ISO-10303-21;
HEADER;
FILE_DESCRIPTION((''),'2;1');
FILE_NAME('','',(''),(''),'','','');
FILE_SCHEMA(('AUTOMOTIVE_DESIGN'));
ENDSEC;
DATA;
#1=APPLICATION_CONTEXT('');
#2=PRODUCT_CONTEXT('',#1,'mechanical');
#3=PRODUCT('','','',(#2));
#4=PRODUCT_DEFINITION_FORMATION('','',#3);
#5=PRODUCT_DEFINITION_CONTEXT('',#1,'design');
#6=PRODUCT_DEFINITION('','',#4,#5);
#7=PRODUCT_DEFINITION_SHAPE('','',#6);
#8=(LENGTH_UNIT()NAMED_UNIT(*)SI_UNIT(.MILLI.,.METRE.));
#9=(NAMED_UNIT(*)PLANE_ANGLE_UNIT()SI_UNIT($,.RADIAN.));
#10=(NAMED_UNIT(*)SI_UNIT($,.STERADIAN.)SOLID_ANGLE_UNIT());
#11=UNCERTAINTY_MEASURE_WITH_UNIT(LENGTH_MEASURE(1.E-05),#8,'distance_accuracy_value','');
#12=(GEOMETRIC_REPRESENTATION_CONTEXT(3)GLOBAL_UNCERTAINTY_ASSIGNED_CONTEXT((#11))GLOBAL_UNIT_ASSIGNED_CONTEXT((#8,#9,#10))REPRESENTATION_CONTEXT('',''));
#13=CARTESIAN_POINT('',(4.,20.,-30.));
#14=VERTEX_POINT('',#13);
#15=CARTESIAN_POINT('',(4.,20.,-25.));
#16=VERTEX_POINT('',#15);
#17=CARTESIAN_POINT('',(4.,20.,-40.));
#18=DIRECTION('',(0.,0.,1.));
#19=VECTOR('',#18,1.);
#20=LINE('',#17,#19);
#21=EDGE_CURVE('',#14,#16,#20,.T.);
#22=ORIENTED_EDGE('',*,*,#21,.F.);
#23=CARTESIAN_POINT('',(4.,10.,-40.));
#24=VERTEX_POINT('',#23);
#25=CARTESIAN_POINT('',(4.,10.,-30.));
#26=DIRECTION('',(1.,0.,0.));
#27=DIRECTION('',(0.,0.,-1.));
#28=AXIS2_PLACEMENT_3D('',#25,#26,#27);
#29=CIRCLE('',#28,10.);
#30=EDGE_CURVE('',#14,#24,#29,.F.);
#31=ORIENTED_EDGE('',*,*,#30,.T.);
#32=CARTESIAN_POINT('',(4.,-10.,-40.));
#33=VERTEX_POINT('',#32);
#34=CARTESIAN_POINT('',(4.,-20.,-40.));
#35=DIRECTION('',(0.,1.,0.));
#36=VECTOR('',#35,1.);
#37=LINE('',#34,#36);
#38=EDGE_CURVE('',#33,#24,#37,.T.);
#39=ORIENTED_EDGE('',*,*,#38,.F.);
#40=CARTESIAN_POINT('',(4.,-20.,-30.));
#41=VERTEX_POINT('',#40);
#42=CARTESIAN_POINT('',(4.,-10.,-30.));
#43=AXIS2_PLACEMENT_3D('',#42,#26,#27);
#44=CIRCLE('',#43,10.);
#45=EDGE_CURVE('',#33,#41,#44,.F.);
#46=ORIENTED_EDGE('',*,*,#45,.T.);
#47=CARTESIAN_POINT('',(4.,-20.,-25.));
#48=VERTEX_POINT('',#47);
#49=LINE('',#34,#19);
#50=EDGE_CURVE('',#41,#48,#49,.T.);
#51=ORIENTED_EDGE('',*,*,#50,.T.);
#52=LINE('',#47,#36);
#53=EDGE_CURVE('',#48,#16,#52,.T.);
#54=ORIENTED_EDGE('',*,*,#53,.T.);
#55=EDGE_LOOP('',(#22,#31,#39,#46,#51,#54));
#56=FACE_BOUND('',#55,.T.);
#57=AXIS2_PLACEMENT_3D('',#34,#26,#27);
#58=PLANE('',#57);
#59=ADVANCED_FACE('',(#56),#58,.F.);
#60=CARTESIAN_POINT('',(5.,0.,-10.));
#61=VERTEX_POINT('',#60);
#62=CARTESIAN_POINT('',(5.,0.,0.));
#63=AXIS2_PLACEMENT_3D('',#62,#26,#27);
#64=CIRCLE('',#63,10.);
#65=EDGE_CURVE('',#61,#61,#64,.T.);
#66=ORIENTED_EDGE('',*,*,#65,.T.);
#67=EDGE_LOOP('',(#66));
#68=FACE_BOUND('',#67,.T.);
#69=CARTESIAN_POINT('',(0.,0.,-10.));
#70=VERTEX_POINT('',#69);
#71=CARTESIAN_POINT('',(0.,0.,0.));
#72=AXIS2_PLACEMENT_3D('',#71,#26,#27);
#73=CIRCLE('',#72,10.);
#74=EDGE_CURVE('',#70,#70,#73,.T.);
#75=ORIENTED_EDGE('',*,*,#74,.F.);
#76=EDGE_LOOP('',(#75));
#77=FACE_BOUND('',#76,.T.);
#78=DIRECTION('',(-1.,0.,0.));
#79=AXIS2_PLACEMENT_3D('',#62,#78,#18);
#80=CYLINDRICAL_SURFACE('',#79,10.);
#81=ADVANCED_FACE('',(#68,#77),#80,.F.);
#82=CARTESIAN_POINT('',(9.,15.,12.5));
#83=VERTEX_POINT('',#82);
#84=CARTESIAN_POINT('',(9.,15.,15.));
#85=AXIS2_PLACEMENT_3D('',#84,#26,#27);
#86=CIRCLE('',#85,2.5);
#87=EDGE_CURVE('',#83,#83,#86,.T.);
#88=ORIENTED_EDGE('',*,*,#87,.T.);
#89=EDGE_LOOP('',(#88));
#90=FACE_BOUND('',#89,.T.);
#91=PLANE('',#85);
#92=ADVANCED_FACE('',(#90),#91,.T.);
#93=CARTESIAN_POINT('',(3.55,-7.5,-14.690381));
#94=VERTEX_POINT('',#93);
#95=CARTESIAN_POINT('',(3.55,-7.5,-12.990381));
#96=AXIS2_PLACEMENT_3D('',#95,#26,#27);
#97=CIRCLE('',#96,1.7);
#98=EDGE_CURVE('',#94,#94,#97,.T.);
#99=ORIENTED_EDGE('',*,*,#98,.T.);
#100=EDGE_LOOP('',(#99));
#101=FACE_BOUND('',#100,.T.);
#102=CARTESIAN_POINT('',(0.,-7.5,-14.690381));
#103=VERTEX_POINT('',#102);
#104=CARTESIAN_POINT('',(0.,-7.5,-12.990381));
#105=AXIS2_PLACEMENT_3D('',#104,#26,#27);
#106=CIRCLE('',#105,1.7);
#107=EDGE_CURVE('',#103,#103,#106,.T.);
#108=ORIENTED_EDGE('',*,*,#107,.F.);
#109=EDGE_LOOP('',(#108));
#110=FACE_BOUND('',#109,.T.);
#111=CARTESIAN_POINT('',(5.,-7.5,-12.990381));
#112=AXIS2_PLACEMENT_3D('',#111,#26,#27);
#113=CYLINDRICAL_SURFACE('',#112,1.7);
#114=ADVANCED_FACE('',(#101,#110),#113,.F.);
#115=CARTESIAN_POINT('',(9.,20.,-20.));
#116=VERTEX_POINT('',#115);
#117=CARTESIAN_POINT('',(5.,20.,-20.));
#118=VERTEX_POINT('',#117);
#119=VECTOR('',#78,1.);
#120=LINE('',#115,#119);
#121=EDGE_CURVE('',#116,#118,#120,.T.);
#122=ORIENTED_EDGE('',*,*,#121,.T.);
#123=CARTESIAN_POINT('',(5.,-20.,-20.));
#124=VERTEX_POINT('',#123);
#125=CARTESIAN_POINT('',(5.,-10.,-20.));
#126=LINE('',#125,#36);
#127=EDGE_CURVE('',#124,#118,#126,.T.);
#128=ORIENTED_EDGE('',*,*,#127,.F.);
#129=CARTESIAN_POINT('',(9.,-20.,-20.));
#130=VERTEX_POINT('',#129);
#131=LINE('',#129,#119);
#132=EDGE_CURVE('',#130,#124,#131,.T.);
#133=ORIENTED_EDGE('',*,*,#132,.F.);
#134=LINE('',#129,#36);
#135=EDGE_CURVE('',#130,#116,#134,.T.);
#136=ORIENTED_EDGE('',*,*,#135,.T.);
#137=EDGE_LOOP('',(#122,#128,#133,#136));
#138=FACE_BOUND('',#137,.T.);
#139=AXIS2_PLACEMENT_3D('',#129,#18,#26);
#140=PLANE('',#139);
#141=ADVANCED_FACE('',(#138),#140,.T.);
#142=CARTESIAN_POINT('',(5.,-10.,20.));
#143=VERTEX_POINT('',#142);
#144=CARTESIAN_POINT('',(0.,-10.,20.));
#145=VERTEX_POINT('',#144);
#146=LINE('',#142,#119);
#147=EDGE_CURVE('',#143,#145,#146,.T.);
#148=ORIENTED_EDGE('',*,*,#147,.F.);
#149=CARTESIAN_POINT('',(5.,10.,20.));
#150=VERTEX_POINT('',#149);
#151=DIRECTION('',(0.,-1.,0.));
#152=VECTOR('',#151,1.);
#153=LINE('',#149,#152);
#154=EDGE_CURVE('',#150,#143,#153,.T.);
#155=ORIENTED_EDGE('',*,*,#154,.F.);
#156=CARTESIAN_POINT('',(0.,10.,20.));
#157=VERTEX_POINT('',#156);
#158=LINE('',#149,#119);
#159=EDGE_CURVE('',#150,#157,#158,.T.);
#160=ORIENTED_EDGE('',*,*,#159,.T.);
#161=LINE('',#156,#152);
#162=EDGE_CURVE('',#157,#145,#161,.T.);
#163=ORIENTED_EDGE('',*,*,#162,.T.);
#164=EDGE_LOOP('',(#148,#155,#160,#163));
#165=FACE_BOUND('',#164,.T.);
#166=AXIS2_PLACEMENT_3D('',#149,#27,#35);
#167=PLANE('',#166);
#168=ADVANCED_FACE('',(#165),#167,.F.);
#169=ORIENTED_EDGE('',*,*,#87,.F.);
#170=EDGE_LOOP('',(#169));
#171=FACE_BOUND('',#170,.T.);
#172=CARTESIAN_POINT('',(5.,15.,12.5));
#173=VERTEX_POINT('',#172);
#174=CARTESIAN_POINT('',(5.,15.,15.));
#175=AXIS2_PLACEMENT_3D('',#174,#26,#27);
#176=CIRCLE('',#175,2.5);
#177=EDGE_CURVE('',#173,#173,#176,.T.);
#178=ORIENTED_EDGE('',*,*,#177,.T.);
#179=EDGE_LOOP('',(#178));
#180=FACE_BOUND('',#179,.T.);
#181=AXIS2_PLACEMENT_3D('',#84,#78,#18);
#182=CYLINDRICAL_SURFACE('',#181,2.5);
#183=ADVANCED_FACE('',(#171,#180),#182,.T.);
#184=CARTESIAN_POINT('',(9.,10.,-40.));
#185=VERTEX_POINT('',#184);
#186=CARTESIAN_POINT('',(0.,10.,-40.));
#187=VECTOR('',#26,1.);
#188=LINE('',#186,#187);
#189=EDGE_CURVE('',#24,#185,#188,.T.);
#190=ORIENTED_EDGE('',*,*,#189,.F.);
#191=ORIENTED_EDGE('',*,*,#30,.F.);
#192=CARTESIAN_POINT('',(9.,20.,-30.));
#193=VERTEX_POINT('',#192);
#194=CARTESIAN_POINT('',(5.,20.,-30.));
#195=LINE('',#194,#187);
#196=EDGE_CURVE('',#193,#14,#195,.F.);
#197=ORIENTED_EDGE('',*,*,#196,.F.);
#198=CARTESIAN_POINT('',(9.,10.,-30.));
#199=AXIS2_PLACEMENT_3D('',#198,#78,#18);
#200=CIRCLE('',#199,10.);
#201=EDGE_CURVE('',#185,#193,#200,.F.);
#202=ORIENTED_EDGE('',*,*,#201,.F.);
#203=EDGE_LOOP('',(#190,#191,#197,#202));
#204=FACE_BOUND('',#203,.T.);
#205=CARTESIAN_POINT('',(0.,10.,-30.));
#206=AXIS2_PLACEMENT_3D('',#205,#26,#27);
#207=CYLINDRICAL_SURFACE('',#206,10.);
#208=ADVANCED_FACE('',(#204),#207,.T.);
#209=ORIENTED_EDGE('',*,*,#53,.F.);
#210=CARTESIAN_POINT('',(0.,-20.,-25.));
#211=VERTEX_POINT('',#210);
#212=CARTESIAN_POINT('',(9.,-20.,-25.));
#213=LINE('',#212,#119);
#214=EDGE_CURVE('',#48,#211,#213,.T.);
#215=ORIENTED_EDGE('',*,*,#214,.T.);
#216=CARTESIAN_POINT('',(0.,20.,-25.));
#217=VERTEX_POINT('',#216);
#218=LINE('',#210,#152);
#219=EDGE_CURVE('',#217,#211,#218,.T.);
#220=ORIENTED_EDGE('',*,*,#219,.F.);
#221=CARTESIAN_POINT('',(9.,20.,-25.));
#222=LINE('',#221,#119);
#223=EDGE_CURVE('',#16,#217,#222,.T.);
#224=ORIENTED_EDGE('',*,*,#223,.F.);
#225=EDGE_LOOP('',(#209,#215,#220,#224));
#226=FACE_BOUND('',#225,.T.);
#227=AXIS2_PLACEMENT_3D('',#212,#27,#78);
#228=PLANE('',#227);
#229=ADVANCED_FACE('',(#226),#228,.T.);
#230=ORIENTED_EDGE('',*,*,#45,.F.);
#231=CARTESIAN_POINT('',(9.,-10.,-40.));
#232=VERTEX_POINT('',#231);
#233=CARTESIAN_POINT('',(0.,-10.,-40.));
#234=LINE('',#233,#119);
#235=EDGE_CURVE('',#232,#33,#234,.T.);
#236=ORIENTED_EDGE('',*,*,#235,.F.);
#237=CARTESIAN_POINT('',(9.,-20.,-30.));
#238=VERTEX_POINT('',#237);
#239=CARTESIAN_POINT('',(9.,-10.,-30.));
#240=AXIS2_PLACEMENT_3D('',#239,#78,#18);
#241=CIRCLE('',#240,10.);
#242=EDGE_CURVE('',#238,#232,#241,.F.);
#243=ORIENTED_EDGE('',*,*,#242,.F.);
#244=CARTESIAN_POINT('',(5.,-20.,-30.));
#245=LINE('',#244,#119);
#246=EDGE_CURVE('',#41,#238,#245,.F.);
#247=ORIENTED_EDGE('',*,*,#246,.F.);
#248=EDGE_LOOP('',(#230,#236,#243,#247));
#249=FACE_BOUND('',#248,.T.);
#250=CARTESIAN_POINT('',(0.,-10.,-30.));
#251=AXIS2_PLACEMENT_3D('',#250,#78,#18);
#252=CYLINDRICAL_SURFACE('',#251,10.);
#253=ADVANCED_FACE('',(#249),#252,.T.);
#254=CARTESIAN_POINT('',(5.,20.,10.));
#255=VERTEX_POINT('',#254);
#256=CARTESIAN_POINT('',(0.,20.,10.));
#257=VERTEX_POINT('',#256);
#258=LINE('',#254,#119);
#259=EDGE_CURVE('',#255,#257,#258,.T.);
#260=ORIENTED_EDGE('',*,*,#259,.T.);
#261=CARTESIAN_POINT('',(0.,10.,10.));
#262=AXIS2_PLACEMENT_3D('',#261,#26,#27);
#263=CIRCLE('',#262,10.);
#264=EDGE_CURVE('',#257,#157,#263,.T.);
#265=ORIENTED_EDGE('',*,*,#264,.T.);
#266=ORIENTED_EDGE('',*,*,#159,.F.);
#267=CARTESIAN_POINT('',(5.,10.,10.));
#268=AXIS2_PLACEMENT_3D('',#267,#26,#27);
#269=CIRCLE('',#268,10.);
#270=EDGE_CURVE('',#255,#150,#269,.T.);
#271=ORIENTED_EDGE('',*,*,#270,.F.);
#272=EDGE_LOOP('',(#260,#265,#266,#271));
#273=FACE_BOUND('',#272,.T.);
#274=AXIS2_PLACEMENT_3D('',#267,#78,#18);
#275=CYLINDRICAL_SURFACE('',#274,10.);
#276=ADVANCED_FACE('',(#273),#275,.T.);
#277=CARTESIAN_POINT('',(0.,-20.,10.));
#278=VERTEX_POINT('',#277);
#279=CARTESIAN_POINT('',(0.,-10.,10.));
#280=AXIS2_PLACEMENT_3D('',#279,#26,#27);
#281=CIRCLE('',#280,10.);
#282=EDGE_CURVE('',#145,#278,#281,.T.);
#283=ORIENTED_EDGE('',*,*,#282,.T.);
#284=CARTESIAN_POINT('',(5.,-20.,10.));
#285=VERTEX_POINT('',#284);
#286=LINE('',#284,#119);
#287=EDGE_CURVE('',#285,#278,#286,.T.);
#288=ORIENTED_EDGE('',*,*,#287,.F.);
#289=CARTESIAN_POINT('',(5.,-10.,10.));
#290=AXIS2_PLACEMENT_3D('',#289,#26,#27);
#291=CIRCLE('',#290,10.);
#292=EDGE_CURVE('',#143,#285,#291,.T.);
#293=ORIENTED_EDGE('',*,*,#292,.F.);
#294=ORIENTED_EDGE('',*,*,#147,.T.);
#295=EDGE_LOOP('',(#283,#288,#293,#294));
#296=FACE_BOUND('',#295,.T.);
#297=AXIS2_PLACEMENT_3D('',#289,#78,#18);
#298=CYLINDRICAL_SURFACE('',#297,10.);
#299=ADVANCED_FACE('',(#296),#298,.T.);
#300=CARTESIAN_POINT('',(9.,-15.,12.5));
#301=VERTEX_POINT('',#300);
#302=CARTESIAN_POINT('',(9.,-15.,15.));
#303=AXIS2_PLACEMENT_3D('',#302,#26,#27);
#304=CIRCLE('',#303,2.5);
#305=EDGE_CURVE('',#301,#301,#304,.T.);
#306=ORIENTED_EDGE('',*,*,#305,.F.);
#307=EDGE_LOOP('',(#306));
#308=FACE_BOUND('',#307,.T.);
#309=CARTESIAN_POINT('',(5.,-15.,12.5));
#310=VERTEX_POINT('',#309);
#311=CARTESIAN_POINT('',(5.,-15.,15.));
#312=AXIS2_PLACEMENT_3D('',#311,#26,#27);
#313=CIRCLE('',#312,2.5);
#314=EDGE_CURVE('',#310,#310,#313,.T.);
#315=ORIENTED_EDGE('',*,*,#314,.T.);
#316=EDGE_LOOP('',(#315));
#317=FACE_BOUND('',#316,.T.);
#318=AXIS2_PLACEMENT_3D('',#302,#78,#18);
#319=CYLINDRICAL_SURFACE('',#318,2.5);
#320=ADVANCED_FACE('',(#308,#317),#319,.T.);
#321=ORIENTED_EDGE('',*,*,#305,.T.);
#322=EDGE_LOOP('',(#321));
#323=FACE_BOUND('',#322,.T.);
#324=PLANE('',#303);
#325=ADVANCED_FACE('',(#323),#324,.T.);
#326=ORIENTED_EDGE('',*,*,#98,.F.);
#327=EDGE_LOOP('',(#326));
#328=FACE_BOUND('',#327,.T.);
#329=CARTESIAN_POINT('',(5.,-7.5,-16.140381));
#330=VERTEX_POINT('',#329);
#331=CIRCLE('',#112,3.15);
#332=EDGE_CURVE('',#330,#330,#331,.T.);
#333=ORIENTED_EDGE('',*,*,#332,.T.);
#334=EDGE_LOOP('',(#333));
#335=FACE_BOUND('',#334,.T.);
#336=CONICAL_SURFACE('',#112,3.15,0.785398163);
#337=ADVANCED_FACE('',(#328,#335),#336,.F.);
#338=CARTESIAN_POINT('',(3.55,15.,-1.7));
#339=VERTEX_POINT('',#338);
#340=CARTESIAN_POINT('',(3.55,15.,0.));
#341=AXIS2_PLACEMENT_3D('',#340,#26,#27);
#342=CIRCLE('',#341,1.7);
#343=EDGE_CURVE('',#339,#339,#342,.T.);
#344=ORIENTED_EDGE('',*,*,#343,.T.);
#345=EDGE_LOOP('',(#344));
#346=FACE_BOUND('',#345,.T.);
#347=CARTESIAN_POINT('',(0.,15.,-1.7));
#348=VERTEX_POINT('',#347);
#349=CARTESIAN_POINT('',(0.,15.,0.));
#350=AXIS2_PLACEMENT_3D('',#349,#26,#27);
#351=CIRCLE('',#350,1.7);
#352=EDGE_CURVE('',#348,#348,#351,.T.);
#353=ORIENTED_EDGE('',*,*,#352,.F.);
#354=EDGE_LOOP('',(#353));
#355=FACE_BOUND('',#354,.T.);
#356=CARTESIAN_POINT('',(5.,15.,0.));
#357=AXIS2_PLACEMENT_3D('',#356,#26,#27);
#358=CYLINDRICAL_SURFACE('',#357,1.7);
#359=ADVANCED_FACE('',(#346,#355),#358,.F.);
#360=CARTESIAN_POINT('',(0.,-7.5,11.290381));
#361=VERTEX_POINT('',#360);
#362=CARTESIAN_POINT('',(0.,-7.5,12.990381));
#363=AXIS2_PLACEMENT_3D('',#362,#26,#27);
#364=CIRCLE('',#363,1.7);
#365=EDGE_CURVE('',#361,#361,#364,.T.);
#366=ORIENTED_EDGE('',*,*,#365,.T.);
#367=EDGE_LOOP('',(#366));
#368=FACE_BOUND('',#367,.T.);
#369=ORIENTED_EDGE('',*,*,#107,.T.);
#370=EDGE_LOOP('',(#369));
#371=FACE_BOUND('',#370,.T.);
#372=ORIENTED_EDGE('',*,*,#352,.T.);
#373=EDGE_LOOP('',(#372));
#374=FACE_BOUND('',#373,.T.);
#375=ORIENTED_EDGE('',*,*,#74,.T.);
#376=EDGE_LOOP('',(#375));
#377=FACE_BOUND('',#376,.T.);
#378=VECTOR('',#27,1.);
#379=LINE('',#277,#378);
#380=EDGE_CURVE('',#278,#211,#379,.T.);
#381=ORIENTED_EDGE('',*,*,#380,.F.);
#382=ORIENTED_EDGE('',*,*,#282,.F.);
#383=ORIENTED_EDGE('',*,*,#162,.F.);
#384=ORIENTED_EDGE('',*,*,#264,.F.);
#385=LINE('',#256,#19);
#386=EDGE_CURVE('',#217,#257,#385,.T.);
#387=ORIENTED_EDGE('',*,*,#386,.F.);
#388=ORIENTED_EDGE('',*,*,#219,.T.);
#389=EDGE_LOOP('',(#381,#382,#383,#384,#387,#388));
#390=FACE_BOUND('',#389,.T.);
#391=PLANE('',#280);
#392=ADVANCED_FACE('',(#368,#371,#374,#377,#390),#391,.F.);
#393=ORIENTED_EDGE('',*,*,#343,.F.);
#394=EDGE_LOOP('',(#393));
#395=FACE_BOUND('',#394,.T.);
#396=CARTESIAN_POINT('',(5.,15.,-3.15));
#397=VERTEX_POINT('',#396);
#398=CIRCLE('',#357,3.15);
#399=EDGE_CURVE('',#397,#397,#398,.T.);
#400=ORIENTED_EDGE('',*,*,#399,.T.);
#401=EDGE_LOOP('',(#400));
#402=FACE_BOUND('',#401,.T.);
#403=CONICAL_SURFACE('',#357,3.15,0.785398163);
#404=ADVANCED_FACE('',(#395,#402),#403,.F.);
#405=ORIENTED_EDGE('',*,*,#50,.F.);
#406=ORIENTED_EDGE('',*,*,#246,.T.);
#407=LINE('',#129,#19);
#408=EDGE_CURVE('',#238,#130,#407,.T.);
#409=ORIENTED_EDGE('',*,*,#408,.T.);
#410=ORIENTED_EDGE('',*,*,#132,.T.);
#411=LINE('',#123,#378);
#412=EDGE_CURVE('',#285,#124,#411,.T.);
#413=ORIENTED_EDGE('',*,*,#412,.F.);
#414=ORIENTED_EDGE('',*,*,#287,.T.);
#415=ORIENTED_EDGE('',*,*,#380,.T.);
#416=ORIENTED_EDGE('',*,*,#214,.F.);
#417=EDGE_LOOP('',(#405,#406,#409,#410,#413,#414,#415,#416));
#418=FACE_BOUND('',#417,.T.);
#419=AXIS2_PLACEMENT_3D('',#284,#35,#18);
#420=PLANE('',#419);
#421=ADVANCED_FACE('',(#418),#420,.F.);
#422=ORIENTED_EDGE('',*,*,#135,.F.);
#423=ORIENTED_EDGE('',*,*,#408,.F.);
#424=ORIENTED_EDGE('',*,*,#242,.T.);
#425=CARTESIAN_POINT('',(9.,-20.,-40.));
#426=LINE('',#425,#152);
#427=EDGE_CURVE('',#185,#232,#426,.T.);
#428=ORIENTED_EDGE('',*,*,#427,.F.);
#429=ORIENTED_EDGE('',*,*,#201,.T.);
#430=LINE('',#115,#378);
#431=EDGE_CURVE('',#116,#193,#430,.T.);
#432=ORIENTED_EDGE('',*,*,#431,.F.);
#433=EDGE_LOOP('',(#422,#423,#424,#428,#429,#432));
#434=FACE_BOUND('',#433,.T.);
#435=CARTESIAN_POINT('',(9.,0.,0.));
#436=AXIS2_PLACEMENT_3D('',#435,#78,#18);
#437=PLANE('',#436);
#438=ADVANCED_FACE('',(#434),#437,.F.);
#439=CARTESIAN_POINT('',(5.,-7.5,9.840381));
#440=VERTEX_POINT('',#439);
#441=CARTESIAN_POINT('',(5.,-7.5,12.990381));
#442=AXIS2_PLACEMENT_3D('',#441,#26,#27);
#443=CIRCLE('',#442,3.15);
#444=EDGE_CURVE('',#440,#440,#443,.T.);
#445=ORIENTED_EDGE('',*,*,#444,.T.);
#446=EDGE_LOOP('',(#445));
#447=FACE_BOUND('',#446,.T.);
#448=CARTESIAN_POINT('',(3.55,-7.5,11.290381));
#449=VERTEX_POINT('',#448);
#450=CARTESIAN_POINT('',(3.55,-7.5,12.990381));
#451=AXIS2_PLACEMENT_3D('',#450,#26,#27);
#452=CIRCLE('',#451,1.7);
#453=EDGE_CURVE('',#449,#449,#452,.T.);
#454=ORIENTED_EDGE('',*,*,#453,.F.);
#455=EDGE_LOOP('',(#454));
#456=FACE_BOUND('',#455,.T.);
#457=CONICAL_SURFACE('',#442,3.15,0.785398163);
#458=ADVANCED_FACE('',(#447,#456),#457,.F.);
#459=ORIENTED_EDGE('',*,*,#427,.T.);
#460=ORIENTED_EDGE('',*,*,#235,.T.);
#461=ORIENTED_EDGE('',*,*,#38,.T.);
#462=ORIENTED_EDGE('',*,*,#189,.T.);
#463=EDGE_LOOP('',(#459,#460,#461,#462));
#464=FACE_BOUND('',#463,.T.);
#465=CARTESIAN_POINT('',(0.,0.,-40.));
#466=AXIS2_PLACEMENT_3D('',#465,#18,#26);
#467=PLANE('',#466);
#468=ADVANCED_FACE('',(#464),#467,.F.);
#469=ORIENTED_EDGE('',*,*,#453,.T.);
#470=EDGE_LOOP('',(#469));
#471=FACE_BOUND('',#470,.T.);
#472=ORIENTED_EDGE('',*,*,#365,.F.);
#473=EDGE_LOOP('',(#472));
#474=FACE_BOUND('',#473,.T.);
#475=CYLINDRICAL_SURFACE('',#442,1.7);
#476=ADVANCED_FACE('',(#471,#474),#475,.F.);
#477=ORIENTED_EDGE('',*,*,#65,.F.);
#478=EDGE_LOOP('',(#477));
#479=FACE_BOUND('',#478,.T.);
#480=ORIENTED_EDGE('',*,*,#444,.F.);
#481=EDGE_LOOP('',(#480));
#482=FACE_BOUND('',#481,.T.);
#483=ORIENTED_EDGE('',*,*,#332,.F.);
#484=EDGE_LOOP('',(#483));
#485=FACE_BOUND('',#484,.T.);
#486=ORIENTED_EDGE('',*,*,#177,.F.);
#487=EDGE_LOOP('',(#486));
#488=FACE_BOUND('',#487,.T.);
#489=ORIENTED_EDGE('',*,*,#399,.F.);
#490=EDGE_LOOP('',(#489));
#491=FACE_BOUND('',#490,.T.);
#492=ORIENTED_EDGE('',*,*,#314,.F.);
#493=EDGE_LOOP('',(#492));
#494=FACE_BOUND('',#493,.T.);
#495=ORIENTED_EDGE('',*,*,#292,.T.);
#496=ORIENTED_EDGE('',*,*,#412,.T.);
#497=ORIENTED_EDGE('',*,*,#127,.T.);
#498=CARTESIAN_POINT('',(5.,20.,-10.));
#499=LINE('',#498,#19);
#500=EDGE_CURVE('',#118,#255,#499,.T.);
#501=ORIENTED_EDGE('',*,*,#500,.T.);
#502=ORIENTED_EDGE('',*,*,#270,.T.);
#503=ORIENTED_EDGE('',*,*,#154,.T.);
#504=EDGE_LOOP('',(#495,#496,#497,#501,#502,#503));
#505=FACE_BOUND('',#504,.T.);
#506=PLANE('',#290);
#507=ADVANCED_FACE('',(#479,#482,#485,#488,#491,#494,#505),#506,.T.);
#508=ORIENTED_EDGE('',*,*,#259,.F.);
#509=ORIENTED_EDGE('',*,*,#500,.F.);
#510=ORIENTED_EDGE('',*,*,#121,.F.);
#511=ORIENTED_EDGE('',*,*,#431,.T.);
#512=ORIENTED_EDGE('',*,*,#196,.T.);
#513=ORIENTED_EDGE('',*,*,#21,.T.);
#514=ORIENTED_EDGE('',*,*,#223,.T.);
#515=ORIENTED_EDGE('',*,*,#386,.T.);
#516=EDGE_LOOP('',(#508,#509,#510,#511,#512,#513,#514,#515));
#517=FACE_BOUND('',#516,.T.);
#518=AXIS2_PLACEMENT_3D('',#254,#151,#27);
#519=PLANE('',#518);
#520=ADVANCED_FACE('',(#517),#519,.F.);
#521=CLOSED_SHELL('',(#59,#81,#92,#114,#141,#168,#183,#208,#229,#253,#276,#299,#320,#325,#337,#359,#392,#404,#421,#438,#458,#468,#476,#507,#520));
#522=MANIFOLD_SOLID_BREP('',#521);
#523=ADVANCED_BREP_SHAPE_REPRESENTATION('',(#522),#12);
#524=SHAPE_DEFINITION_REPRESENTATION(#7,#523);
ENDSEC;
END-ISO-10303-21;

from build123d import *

# Parameters (mm, degrees)
SKETCH1_R                                       = 10
BOSS_EXTRUDE1_DEPTH                             = 5
CSK_FOR_M3_FLAT_HEAD_MACHINE_SCREW1_D           = 3.4
CSK_FOR_M3_FLAT_HEAD_MACHINE_SCREW1_CSINK_D     = 6.3
CSK_FOR_M3_FLAT_HEAD_MACHINE_SCREW1_CSINK_ANGLE = 90
SKETCH4_W                                       = 5
SKETCH4_H                                       = 40
BOSS_EXTRUDE2_DEPTH                             = 9
SKETCH5_W                                       = 5
SKETCH5_H                                       = 40
BOSS_EXTRUDE3_DEPTH                             = 15
FILLET2_R                                       = 10
SKETCH6_R                                       = 2.5
BOSS_EXTRUDE4_DEPTH                             = 4


with BuildPart() as part:
    # Sketch1 → Boss-Extrude1 (new body)
    with BuildSketch(Plane(origin=(0, 0, 0), x_dir=(0, 0, -1), z_dir=(1, 0, 0))):
        with BuildLine():
            Line((10, 20), (20, 20))
            Line((20, 20), (20, 10))
            Line((20, 10), (20, -10))
            Line((20, -10), (20, -20))
            Line((20, -20), (10, -20))
            Line((10, -20), (-10, -20))
            ThreePointArc((-10, -20), (-17.071067812, -17.071067812), (-20, -10))
            Line((-20, -10), (-20, 10))
            ThreePointArc((-20, 10), (-17.071067812, 17.071067812), (-10, 20))
            Line((-10, 20), (10, 20))
        make_face()
        Circle(SKETCH1_R, mode=Mode.SUBTRACT)
    extrude(amount=BOSS_EXTRUDE1_DEPTH)

    # CSK for M3 Flat Head Machine Screw1 (through all)
    with Locations(Plane(origin=(5, 0, 0), x_dir=(0, 0, -1), z_dir=(1, 0, 0))):
        with Locations((0, 15), (12.990381057, -7.5), (-12.990381057, -7.5)):
            CounterSinkHole(CSK_FOR_M3_FLAT_HEAD_MACHINE_SCREW1_D / 2, CSK_FOR_M3_FLAT_HEAD_MACHINE_SCREW1_CSINK_D / 2, counter_sink_angle=CSK_FOR_M3_FLAT_HEAD_MACHINE_SCREW1_CSINK_ANGLE)

    # Sketch4 → Boss-Extrude2 (add)
    with BuildSketch(Plane.ZY):
        with Locations((-22.5, 0)):
            Rectangle(SKETCH4_W, SKETCH4_H)
    extrude(amount=-BOSS_EXTRUDE2_DEPTH)

    # Sketch5 → Boss-Extrude3 (add)
    with BuildSketch(Plane(origin=(0, 0, -25), x_dir=(-1, 0, 0), z_dir=(0, 0, -1))):
        with Locations((-6.5, 0)):
            Rectangle(SKETCH5_W, SKETCH5_H)
    extrude(amount=BOSS_EXTRUDE3_DEPTH)

    # Fillet2
    fillet2_edges = [part.edges().sort_by_distance(p)[0] for p in [
        (6.5, 20, -40),
        (6.5, -20, -40),
    ]]
    fillet(fillet2_edges, radius=FILLET2_R)

    # Sketch6 → Boss-Extrude4 (add)
    with BuildSketch(Plane(origin=(5, 0, 0), x_dir=(0, 0, -1), z_dir=(1, 0, 0))):
        with Locations((-15, -15)):
            Circle(SKETCH6_R)
        with Locations((-15, 15)):
            Circle(SKETCH6_R)
    extrude(amount=BOSS_EXTRUDE4_DEPTH)


solid = part.part
